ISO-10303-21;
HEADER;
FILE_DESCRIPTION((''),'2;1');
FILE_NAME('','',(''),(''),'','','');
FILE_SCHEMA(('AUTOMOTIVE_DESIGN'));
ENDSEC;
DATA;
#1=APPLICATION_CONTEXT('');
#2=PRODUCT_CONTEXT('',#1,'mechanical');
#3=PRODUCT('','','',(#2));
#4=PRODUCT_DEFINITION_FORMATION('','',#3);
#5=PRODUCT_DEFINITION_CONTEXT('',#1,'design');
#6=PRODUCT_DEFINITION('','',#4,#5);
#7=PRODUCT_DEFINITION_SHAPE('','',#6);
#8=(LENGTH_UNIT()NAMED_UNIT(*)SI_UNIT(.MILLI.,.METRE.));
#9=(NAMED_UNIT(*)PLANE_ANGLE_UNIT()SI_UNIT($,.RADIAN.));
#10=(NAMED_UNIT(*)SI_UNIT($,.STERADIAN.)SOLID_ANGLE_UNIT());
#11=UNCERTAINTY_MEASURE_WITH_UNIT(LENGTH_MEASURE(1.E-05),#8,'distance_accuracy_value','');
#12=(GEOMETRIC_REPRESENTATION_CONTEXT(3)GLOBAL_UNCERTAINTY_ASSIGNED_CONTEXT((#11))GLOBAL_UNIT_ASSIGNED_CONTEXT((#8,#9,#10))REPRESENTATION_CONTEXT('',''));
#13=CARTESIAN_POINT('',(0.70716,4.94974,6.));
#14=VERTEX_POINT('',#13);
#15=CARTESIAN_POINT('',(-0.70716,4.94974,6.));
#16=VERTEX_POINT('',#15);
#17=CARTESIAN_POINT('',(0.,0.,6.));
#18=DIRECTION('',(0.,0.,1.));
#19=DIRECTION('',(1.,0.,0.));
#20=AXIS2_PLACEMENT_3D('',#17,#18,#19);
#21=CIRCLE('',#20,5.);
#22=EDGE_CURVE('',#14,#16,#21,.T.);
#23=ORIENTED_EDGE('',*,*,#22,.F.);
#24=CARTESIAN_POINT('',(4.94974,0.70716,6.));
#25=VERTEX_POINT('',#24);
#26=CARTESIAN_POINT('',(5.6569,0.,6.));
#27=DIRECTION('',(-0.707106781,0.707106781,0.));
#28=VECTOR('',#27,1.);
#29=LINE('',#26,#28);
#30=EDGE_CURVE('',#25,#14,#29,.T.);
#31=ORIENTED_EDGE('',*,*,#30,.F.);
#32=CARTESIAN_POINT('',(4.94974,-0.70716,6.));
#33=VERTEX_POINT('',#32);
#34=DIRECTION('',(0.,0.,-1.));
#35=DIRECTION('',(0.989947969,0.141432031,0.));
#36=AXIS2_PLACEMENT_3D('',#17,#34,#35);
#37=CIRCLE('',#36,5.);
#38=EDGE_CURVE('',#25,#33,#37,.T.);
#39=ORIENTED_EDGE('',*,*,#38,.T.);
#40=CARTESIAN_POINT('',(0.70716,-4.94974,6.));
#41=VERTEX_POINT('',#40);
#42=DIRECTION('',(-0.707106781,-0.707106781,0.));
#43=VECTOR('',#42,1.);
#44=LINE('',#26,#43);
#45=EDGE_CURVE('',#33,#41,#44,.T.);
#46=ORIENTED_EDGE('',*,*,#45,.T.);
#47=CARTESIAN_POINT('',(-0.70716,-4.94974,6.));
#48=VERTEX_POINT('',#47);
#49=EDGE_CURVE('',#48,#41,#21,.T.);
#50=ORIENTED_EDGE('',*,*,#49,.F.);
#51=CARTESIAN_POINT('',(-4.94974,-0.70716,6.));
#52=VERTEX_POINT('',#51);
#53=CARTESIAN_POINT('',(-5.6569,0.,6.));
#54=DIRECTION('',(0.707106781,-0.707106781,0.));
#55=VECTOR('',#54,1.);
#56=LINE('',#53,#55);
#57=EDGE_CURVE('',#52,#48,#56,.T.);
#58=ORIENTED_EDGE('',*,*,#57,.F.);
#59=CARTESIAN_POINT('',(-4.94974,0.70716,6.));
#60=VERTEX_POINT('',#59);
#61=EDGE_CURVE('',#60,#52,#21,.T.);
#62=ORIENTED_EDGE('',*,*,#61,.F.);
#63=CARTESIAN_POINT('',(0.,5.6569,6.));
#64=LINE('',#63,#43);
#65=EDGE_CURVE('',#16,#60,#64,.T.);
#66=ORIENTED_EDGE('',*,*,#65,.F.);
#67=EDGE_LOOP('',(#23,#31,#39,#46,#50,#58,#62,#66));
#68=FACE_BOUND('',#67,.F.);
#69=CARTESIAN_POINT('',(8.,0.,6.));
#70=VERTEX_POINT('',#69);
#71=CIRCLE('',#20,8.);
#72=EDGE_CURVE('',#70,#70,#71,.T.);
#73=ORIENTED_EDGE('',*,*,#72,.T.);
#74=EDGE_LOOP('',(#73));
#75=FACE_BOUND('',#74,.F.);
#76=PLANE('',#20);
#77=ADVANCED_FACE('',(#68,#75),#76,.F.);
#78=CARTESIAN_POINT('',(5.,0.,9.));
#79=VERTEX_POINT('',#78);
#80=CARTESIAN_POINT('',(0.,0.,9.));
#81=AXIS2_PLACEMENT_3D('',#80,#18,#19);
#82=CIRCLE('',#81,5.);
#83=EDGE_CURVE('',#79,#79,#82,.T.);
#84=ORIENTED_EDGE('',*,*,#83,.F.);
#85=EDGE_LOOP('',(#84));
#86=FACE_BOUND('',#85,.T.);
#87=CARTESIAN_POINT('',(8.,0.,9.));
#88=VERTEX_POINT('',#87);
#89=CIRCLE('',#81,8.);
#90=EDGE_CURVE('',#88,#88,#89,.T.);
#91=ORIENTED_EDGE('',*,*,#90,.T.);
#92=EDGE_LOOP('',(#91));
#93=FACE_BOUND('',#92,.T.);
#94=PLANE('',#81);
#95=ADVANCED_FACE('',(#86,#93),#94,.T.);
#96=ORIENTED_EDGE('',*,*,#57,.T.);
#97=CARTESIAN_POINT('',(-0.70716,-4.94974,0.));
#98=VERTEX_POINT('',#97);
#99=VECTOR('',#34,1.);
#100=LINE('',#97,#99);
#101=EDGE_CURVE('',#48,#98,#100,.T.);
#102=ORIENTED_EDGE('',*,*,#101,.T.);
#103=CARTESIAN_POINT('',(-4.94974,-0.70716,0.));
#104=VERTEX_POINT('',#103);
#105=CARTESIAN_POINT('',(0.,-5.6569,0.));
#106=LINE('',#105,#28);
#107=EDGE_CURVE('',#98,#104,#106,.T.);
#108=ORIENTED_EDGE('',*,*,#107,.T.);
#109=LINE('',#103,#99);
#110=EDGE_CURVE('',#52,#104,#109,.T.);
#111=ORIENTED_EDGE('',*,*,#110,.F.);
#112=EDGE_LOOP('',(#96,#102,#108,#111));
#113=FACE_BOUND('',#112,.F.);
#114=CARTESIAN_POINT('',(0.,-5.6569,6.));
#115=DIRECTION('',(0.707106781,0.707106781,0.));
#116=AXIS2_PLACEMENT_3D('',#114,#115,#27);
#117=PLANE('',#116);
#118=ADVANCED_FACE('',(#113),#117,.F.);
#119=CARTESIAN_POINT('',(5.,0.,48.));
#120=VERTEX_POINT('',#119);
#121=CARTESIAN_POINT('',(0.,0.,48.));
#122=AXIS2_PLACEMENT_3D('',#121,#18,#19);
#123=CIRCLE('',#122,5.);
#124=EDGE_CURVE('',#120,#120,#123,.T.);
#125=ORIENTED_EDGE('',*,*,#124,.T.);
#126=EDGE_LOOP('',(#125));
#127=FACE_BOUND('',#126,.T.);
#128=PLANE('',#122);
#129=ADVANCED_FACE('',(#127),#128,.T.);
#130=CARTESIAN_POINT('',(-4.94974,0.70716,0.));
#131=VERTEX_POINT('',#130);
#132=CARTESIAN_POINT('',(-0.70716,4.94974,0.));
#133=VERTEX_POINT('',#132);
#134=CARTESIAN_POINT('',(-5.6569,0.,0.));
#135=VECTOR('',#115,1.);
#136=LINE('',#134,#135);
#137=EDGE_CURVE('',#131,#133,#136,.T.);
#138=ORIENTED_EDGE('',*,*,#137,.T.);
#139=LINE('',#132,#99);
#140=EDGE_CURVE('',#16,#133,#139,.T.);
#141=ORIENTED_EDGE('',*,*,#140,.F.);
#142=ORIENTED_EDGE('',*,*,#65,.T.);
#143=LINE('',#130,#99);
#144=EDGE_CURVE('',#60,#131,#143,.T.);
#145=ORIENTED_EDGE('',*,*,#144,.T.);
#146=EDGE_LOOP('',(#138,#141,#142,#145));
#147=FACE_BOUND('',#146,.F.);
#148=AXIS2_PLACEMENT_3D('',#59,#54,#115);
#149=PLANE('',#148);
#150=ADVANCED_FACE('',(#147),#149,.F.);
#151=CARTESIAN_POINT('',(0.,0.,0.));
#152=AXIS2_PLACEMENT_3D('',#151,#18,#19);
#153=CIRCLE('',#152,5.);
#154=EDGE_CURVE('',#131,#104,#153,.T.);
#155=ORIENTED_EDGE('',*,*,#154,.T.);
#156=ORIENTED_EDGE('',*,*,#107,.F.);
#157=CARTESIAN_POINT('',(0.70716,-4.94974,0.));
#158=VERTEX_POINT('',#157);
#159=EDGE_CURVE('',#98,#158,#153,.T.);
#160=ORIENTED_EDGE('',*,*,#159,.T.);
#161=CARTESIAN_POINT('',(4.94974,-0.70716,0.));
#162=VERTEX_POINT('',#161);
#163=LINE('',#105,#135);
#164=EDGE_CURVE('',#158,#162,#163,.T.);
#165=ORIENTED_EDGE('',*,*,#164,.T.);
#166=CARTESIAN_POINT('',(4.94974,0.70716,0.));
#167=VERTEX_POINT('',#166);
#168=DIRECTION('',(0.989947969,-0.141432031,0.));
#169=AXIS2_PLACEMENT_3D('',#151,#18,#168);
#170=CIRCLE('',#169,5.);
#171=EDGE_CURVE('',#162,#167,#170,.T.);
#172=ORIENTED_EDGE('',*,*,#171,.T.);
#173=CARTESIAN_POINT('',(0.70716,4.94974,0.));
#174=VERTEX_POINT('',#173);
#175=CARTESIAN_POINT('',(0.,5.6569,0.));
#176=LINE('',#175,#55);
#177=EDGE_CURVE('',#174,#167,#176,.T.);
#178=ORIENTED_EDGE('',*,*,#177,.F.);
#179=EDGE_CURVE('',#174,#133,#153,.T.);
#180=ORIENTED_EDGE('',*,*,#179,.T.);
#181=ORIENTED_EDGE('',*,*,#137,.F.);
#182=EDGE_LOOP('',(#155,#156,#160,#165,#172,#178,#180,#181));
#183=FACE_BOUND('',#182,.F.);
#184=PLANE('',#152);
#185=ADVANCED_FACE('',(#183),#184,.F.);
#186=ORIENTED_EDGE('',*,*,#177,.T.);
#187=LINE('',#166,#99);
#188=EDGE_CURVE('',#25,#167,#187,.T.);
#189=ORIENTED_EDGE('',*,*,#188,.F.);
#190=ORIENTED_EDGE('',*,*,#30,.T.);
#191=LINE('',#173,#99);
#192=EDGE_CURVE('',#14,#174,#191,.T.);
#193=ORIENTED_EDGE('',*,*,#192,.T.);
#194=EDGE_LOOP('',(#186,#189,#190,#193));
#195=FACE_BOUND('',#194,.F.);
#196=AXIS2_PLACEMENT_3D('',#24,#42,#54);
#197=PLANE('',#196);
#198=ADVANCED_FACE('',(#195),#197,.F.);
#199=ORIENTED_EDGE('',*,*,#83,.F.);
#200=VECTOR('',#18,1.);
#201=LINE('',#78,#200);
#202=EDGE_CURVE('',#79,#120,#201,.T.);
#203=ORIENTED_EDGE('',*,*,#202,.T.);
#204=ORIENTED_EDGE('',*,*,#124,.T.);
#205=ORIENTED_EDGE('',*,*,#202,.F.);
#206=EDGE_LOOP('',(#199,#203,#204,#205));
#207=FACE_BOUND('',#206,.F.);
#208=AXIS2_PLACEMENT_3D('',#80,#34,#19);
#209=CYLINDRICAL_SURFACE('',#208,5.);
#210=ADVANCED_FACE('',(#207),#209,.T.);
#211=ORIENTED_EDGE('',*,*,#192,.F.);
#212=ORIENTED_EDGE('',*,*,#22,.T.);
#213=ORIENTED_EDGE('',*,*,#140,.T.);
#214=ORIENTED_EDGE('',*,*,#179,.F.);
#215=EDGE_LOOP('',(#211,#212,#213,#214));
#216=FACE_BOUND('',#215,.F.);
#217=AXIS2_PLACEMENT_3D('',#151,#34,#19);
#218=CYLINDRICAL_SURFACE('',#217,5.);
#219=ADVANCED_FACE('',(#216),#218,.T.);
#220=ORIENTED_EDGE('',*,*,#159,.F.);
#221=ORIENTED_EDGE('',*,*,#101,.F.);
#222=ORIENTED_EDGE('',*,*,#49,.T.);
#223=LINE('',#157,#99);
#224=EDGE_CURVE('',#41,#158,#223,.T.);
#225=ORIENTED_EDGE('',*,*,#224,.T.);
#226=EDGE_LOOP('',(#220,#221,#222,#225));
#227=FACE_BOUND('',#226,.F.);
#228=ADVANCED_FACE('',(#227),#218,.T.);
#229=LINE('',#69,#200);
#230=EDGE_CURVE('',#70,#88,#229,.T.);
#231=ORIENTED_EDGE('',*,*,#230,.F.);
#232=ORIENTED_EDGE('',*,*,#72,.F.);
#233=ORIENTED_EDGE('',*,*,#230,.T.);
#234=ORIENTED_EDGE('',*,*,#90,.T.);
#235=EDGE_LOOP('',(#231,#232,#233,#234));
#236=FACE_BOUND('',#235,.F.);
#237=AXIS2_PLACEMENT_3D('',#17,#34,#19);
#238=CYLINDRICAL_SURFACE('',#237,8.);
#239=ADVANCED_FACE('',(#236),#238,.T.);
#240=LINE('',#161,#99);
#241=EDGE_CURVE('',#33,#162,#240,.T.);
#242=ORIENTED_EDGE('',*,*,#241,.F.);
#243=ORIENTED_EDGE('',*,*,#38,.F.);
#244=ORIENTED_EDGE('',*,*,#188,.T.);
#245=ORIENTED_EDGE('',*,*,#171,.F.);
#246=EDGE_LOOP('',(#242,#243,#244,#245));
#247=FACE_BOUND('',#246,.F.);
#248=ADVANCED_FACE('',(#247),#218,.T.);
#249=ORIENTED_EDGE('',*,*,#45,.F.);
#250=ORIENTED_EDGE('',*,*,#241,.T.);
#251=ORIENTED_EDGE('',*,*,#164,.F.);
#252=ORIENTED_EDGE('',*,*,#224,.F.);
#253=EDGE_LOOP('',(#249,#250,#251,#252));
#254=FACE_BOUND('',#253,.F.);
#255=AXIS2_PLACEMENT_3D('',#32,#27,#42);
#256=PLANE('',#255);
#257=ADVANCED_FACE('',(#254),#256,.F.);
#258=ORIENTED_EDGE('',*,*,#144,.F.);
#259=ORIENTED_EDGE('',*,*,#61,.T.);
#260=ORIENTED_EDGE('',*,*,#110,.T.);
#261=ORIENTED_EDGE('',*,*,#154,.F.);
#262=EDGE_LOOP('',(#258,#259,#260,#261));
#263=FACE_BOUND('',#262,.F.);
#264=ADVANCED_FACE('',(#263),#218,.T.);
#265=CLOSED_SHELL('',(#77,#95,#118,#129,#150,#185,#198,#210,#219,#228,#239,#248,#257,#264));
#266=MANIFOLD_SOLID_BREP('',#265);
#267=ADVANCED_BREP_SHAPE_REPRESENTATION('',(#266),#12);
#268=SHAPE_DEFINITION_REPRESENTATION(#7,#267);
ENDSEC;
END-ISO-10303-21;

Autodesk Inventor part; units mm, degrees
ref_plane "YZ Plane" through (0, 0, 0) normal (1, 0, 0) x (0, 1, 0)
ref_plane "XZ Plane" through (0, 0, 0) normal (0, 1, 0) x (-1, 0, 0)
ref_plane "XY Plane" through (0, 0, 0) normal (0, 0, 1) x (1, 0, 0)
sketch "Эскиз1" plane through (0, 0, 0) normal (0, 0, 1) x (1, 0, 0)
  circle A0 centre (0, 0) radius 5
  dimension "d0" = 10
extrude "Выдавливание1" add sketch "Эскиз1" along normal blind 6
sketch "Эскиз2" plane through (0, 0, 6) normal (0, 0, 1) x (1, 0, 0)
  circle A0 centre (0, 0) radius 5 projected
  line L0 (0, 5.6569) -> (5.6569, 0)
  line L1 (5.6569, 0) -> (0, -5.6569)
  line L2 (0, -5.6569) -> (-5.6569, 0)
  line L3 (-5.6569, 0) -> (0, 5.6569)
  dimension "d3" = 8
extrude "Выдавливание2" cut sketch "Эскиз2" against normal blind 6 contours A0 L1 L2 L3 L0 | A0 L0 L1 | A0 L3 L0 | L1 L2 A0 | A0 L2 L3 keep common part
sketch "Эскиз3" plane through (0, 0, 6) normal (0, 0, 1) x (1, 0, 0)
  line L0 (-0.7071, -4.9497) -> (-4.9497, -0.7071) projected
  arc A0 (-0.7071, -4.9497) -> (0.7071, -4.9497) centre (0, 0) ccw projected
  line L1 (4.9497, -0.7071) -> (0.7071, -4.9497) projected
  arc A1 (4.9497, -0.7071) -> (4.9497, 0.7071) centre (0, 0) ccw projected
  line L2 (0.7071, 4.9497) -> (4.9497, 0.7071) projected
  arc A2 (0.7071, 4.9497) -> (-0.7071, 4.9497) centre (0, 0) ccw projected
  line L3 (-4.9497, 0.7071) -> (-0.7071, 4.9497) projected
  arc A3 (-4.9497, 0.7071) -> (-4.9497, -0.7071) centre (0, 0) ccw projected
  circle A4 centre (0, 0) radius 8
  dimension "d6" = 16
extrude "Выдавливание3" add sketch "Эскиз3" along normal blind 3
sketch "Эскиз4" plane through (0, 0, 9) normal (0, 0, 1) x (1, 0, 0)
  arc A0 (-4.9497, 0.7071) -> (-4.9497, -0.7071) centre (0, 0) ccw projected
  line L0 (-4.9497, 0.7071) -> (-0.7071, 4.9497) projected
  arc A1 (0.7071, 4.9497) -> (-0.7071, 4.9497) centre (0, 0) ccw projected
  line L1 (0.7071, 4.9497) -> (4.9497, 0.7071) projected
  arc A2 (4.9497, -0.7071) -> (4.9497, 0.7071) centre (0, 0) ccw projected
  line L2 (4.9497, -0.7071) -> (0.7071, -4.9497) projected
  arc A3 (-0.7071, -4.9497) -> (0.7071, -4.9497) centre (0, 0) ccw projected
  line L3 (-0.7071, -4.9497) -> (-4.9497, -0.7071) projected
extrude "Выдавливание4" add sketch "Эскиз4" against normal blind 3
sketch "Эскиз5" plane through (0, 0, 9) normal (0, 0, 1) x (1, 0, 0)
  circle A0 centre (0, 0) radius 8 projected
  circle A1 centre (0, 0) radius 5
  dimension "d11" = 10
extrude "Выдавливание5" add sketch "Эскиз5" along normal blind 39 contours A1
sketch "Эскиз6" plane through (0, 0, 48) normal (0, 0, 1) x (1, 0, 0)
  circle A0 centre (0, 0) radius 5 projected
sketch "Эскиз7" plane through (0, 0, 48) normal (0, 0, 1) x (1, 0, 0)
  circle A0 centre (0, 0) radius 5 projected
properties part number "Поз12 Стержень"
